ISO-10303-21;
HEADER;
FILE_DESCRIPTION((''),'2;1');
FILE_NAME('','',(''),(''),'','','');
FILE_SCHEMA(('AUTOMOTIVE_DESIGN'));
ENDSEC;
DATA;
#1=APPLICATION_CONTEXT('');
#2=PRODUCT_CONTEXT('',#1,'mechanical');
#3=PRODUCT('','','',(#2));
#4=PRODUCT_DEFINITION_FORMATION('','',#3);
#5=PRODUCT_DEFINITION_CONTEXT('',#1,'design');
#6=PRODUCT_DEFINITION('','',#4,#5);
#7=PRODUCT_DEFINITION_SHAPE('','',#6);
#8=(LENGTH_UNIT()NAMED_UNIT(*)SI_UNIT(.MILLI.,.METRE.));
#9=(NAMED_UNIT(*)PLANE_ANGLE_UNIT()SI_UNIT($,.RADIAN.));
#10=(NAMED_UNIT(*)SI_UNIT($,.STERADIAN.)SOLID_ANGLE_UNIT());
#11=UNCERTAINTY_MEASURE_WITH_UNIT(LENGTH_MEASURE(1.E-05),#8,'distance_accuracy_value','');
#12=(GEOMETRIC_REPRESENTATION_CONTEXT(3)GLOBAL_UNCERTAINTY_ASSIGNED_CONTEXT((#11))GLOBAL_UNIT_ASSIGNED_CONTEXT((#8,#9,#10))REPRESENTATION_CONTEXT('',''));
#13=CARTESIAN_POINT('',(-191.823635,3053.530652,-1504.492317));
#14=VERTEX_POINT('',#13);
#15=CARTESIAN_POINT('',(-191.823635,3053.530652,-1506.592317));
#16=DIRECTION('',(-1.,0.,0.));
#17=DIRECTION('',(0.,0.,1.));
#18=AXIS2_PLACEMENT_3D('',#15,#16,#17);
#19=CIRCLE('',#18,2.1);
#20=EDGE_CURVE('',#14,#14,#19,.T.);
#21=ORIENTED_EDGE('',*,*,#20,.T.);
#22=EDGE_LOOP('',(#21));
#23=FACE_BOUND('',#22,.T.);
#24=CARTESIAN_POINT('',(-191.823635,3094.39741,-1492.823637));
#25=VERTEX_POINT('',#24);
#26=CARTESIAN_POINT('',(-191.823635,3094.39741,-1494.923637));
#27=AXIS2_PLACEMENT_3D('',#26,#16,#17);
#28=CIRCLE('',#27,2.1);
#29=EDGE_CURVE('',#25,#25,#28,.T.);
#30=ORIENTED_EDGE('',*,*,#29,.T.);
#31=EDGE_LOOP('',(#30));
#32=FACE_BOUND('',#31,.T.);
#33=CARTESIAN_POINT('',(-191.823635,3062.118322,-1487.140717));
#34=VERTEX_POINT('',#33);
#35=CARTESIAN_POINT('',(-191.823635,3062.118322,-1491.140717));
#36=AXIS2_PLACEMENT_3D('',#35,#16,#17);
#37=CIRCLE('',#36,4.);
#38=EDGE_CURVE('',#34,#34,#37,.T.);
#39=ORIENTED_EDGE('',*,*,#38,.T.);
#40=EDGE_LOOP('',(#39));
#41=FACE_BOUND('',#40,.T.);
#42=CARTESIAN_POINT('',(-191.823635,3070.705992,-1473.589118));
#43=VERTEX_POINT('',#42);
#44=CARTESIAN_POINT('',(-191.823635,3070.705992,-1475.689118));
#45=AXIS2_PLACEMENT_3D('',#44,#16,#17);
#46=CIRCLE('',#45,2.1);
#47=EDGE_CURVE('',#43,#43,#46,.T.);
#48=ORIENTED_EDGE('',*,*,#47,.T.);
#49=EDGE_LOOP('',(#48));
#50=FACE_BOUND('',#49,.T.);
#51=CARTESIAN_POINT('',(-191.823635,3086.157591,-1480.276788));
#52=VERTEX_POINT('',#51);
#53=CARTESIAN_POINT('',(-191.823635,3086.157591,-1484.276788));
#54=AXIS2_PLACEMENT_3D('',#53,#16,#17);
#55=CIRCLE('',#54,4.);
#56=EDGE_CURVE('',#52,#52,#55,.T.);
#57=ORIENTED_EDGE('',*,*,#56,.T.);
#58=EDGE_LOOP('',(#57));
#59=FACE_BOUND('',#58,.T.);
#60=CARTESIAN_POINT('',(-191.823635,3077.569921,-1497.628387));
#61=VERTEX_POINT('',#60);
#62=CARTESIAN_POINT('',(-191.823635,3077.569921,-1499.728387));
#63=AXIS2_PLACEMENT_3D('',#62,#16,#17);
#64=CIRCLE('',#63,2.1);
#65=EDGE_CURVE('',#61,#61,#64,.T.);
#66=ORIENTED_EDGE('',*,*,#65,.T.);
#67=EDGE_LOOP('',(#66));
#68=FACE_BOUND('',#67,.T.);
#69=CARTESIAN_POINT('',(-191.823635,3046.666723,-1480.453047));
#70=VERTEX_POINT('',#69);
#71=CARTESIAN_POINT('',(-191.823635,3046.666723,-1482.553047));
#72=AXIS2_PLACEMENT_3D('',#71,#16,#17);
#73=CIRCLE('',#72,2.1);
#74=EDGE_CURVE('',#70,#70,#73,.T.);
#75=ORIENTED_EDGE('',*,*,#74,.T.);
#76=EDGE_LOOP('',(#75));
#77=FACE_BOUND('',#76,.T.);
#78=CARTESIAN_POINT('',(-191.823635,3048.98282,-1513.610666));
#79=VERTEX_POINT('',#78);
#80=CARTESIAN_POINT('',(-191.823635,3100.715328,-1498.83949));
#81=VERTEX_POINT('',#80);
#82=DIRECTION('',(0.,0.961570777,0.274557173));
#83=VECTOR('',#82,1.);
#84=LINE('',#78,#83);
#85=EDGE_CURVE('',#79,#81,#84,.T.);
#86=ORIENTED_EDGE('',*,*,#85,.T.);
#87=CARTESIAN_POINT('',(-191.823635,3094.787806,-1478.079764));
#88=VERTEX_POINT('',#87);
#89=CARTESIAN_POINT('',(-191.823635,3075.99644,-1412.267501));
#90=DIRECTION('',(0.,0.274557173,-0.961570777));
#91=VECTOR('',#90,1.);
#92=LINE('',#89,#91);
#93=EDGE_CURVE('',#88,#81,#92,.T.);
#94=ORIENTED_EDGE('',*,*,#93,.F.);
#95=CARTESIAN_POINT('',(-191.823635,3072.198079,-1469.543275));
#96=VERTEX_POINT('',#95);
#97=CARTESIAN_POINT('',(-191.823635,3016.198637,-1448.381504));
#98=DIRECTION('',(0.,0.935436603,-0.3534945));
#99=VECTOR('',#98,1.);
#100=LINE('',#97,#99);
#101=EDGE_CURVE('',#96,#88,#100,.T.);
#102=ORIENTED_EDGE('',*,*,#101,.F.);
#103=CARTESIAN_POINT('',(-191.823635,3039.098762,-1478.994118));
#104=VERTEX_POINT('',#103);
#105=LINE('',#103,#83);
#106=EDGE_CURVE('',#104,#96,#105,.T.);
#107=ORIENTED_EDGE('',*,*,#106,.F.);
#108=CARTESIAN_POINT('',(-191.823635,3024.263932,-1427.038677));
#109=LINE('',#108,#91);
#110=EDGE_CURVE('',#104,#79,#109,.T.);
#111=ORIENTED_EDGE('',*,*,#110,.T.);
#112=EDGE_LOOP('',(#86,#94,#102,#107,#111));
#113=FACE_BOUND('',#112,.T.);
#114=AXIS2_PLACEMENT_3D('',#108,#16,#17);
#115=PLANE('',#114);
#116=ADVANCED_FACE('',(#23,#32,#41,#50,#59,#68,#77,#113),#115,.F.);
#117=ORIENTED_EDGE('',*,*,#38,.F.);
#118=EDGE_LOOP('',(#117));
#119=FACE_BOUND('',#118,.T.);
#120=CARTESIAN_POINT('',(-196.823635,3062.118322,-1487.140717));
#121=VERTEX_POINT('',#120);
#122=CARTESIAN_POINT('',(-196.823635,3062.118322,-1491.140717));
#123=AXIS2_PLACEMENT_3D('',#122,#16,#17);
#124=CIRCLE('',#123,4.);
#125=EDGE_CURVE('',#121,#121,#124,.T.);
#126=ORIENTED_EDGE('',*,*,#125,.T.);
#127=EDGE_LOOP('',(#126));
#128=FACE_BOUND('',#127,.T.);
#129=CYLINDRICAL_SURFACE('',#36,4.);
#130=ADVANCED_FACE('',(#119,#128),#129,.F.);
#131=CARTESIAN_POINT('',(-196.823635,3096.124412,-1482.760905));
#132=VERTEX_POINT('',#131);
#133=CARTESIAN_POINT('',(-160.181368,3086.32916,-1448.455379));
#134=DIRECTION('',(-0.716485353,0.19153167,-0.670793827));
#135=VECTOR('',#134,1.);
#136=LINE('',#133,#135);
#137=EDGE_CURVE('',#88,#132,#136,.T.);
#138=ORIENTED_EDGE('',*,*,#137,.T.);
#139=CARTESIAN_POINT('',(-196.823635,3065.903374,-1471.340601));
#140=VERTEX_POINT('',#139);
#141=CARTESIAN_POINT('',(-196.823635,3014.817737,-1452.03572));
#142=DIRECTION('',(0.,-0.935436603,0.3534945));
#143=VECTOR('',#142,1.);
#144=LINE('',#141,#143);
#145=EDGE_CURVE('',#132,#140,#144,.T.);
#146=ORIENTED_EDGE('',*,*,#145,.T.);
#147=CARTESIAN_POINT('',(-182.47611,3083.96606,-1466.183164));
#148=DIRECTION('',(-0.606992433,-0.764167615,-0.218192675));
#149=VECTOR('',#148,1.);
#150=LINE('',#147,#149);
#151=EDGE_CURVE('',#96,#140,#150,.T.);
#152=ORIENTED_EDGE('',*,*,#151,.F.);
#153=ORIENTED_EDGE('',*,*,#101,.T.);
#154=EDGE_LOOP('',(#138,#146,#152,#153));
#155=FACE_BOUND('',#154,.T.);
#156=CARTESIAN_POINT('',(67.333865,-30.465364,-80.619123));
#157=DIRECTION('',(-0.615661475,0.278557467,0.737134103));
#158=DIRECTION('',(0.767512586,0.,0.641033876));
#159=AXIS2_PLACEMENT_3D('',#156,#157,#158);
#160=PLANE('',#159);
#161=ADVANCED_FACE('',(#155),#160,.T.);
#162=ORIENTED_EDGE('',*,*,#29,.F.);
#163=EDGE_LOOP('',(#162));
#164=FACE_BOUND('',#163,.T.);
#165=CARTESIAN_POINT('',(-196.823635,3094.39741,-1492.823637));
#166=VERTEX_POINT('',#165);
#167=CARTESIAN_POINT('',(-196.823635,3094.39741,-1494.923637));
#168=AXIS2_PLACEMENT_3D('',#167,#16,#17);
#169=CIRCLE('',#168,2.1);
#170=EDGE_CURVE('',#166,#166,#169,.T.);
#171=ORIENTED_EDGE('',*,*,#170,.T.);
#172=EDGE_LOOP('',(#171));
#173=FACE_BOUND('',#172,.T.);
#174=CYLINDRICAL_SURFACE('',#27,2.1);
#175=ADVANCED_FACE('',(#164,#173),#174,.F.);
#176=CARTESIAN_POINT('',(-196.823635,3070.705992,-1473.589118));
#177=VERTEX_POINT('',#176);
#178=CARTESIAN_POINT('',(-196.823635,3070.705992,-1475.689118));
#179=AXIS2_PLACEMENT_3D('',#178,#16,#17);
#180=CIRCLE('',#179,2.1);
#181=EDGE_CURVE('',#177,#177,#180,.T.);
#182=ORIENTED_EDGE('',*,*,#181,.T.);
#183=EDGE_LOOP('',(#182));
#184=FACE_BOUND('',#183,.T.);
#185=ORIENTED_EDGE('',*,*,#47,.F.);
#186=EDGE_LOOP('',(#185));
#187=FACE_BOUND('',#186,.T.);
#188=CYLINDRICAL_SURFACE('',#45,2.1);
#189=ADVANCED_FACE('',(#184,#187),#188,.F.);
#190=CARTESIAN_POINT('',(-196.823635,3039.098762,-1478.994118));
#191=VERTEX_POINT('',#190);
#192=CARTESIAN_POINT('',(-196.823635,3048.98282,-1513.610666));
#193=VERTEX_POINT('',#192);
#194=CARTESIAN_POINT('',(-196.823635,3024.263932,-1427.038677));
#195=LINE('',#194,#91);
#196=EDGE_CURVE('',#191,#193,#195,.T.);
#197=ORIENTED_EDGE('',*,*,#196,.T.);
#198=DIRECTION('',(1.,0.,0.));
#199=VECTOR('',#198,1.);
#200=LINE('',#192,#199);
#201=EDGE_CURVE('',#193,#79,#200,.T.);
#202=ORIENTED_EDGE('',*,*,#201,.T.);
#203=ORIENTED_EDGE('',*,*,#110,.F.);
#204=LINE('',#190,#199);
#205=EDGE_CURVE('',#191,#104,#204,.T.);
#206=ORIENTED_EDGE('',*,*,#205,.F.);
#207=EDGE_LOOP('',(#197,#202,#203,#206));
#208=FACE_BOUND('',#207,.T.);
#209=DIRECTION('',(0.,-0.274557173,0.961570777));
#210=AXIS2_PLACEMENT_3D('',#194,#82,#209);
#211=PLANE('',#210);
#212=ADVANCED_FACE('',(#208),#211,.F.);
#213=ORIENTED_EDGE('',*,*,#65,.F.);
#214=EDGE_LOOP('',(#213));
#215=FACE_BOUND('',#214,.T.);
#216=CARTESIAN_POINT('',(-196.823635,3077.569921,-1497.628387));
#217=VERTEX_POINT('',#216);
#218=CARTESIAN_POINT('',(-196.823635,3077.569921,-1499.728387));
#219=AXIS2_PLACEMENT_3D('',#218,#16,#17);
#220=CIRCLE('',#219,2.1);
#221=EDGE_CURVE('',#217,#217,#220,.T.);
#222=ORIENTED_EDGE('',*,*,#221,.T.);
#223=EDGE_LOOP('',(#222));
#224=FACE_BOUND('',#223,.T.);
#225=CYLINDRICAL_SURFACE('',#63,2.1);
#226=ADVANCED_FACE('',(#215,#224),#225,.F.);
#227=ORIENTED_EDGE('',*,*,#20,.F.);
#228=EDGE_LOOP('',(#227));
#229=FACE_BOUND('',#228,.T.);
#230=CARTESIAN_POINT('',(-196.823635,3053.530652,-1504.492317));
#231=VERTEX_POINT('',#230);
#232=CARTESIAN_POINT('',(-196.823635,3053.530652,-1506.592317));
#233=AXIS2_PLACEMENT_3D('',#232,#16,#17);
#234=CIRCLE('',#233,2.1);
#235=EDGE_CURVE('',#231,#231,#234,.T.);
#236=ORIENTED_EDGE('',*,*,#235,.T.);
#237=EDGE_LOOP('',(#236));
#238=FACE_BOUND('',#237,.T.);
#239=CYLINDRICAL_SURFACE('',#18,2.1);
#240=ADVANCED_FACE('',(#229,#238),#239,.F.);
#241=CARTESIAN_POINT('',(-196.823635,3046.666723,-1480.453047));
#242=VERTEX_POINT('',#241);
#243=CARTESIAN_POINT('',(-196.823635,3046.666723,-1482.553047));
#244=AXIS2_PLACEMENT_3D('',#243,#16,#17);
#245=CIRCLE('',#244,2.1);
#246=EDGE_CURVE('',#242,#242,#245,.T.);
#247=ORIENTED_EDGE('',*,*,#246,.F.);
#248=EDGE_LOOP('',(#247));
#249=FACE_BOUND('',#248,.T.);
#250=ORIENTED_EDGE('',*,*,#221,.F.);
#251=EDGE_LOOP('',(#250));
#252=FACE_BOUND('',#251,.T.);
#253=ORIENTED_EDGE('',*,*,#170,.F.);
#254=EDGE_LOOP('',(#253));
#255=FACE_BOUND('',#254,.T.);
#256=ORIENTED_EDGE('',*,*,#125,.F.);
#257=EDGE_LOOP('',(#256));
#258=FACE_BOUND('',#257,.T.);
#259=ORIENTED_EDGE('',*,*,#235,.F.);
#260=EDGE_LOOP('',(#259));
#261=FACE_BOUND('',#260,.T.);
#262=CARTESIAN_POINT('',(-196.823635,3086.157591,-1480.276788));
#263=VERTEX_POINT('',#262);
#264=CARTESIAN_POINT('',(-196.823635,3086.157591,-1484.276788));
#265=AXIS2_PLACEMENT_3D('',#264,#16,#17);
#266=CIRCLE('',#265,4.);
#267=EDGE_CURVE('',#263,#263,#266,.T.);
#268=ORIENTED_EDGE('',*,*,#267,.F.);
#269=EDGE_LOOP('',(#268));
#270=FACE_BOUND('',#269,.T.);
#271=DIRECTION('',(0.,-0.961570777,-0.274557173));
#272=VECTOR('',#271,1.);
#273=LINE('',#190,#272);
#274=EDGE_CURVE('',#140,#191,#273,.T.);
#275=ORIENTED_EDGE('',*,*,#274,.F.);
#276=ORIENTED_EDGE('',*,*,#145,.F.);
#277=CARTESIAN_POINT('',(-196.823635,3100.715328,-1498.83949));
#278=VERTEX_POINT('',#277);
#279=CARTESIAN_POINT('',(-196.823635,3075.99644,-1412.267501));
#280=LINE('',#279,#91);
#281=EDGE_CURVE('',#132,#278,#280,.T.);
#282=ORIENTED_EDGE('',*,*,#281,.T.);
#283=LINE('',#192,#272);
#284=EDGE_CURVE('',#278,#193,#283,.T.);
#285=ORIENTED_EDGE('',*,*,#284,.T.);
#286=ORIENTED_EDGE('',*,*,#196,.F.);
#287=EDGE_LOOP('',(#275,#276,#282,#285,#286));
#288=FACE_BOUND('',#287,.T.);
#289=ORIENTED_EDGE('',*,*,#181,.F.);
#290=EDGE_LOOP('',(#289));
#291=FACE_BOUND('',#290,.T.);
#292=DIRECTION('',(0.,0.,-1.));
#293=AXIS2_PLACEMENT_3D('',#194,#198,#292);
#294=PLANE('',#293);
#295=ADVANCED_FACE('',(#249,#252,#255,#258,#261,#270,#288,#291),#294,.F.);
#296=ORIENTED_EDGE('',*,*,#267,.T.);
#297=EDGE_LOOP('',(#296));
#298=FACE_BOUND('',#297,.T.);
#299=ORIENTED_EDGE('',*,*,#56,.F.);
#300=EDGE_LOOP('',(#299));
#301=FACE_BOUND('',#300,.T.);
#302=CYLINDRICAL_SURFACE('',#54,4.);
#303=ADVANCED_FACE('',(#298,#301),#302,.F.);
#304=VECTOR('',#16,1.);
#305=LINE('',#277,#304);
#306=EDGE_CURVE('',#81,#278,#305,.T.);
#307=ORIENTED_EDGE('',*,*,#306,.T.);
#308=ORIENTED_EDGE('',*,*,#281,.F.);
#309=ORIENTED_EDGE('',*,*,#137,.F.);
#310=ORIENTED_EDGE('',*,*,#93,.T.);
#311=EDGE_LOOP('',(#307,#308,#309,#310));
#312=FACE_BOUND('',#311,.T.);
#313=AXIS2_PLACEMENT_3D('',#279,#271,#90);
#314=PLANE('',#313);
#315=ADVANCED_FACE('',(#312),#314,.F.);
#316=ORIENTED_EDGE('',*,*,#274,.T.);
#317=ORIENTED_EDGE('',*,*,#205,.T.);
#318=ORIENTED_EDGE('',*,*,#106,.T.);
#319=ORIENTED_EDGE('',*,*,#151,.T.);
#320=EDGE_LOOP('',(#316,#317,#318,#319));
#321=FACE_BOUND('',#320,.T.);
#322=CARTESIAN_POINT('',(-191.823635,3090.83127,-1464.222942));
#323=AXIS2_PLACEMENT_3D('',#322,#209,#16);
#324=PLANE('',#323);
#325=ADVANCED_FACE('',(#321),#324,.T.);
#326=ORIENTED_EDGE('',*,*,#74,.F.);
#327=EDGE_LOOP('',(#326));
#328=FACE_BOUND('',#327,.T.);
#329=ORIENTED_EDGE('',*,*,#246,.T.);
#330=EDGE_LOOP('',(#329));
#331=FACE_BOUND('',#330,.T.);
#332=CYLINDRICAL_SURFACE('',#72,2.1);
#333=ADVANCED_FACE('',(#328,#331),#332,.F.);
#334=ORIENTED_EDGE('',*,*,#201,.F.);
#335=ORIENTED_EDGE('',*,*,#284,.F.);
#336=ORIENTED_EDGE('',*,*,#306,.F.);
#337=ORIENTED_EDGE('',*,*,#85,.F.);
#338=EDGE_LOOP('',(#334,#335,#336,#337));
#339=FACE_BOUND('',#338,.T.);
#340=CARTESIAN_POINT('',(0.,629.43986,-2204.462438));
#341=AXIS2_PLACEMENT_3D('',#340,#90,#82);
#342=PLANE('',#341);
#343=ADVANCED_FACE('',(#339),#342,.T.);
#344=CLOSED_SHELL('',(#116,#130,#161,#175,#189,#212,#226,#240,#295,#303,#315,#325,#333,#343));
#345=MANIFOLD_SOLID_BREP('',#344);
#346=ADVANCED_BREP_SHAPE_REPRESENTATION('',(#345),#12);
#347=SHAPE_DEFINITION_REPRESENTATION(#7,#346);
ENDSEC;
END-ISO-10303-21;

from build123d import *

# Parameters (mm, degrees)
SKETCH2_W           = 5
SKETCH2_H           = 53.8
BOSS_EXTRUDE1_DEPTH = 36
CUT_EXTRUDE1_DEPTH  = 15.943798685
SKETCH4_R           = 2.1
SKETCH4_R_2         = 4
CUT_EXTRUDE2_DEPTH  = 6


with BuildPart() as part:
    # Sketch2 → Boss-Extrude1 (new body)
    with BuildSketch(Plane(origin=(0, 629.439859668, -2204.462438001), x_dir=(1, 0, 0), z_dir=(0, -0.274557173, 0.961570777))):
        with Locations((-194.323635178, 2543.140113693)):
            Rectangle(SKETCH2_W, SKETCH2_H)
    extrude(amount=BOSS_EXTRUDE1_DEPTH)

    # Sketch3 → Cut-Extrude1 (cut, through all)
    with BuildSketch(Plane(origin=(67.333864744, -30.465363781, -80.619122615), x_dir=(0.491076421, 0.867206701, 0.082440809), z_dir=(0.615661475, -0.278557467, -0.737134103))):
        Polygon((2395.145764251, -2402.321354937), (2500.725824186, -2486.45131954), (2658.658473348, -2288.251562261), (2553.078413412, -2204.121597658), align=None)
    extrude(amount=-CUT_EXTRUDE1_DEPTH, mode=Mode.SUBTRACT)

    # Sketch4 → Cut-Extrude2 (cut, through all)
    with BuildSketch(Plane.ZY.offset(196.823635178)):
        with Locations((-1506.592316509, 3053.530651846)):
            Circle(SKETCH4_R)
        with Locations((-1482.553047089, 3046.666722522)):
            Circle(SKETCH4_R)
        with Locations((-1499.728387186, 3077.569921266)):
            Circle(SKETCH4_R)
        with Locations((-1475.689117766, 3070.705991942)):
            Circle(SKETCH4_R)
        with Locations((-1470.88436724, 3087.533480536)):
            Circle(SKETCH4_R)
        with Locations((-1494.92363666, 3094.397409859)):
            Circle(SKETCH4_R)
        with Locations((-1484.276787814, 3086.157591314)):
            Circle(SKETCH4_R_2)
        with Locations((-1491.140717138, 3062.118321894)):
            Circle(SKETCH4_R_2)
    extrude(amount=-CUT_EXTRUDE2_DEPTH, mode=Mode.SUBTRACT)


solid = part.part
